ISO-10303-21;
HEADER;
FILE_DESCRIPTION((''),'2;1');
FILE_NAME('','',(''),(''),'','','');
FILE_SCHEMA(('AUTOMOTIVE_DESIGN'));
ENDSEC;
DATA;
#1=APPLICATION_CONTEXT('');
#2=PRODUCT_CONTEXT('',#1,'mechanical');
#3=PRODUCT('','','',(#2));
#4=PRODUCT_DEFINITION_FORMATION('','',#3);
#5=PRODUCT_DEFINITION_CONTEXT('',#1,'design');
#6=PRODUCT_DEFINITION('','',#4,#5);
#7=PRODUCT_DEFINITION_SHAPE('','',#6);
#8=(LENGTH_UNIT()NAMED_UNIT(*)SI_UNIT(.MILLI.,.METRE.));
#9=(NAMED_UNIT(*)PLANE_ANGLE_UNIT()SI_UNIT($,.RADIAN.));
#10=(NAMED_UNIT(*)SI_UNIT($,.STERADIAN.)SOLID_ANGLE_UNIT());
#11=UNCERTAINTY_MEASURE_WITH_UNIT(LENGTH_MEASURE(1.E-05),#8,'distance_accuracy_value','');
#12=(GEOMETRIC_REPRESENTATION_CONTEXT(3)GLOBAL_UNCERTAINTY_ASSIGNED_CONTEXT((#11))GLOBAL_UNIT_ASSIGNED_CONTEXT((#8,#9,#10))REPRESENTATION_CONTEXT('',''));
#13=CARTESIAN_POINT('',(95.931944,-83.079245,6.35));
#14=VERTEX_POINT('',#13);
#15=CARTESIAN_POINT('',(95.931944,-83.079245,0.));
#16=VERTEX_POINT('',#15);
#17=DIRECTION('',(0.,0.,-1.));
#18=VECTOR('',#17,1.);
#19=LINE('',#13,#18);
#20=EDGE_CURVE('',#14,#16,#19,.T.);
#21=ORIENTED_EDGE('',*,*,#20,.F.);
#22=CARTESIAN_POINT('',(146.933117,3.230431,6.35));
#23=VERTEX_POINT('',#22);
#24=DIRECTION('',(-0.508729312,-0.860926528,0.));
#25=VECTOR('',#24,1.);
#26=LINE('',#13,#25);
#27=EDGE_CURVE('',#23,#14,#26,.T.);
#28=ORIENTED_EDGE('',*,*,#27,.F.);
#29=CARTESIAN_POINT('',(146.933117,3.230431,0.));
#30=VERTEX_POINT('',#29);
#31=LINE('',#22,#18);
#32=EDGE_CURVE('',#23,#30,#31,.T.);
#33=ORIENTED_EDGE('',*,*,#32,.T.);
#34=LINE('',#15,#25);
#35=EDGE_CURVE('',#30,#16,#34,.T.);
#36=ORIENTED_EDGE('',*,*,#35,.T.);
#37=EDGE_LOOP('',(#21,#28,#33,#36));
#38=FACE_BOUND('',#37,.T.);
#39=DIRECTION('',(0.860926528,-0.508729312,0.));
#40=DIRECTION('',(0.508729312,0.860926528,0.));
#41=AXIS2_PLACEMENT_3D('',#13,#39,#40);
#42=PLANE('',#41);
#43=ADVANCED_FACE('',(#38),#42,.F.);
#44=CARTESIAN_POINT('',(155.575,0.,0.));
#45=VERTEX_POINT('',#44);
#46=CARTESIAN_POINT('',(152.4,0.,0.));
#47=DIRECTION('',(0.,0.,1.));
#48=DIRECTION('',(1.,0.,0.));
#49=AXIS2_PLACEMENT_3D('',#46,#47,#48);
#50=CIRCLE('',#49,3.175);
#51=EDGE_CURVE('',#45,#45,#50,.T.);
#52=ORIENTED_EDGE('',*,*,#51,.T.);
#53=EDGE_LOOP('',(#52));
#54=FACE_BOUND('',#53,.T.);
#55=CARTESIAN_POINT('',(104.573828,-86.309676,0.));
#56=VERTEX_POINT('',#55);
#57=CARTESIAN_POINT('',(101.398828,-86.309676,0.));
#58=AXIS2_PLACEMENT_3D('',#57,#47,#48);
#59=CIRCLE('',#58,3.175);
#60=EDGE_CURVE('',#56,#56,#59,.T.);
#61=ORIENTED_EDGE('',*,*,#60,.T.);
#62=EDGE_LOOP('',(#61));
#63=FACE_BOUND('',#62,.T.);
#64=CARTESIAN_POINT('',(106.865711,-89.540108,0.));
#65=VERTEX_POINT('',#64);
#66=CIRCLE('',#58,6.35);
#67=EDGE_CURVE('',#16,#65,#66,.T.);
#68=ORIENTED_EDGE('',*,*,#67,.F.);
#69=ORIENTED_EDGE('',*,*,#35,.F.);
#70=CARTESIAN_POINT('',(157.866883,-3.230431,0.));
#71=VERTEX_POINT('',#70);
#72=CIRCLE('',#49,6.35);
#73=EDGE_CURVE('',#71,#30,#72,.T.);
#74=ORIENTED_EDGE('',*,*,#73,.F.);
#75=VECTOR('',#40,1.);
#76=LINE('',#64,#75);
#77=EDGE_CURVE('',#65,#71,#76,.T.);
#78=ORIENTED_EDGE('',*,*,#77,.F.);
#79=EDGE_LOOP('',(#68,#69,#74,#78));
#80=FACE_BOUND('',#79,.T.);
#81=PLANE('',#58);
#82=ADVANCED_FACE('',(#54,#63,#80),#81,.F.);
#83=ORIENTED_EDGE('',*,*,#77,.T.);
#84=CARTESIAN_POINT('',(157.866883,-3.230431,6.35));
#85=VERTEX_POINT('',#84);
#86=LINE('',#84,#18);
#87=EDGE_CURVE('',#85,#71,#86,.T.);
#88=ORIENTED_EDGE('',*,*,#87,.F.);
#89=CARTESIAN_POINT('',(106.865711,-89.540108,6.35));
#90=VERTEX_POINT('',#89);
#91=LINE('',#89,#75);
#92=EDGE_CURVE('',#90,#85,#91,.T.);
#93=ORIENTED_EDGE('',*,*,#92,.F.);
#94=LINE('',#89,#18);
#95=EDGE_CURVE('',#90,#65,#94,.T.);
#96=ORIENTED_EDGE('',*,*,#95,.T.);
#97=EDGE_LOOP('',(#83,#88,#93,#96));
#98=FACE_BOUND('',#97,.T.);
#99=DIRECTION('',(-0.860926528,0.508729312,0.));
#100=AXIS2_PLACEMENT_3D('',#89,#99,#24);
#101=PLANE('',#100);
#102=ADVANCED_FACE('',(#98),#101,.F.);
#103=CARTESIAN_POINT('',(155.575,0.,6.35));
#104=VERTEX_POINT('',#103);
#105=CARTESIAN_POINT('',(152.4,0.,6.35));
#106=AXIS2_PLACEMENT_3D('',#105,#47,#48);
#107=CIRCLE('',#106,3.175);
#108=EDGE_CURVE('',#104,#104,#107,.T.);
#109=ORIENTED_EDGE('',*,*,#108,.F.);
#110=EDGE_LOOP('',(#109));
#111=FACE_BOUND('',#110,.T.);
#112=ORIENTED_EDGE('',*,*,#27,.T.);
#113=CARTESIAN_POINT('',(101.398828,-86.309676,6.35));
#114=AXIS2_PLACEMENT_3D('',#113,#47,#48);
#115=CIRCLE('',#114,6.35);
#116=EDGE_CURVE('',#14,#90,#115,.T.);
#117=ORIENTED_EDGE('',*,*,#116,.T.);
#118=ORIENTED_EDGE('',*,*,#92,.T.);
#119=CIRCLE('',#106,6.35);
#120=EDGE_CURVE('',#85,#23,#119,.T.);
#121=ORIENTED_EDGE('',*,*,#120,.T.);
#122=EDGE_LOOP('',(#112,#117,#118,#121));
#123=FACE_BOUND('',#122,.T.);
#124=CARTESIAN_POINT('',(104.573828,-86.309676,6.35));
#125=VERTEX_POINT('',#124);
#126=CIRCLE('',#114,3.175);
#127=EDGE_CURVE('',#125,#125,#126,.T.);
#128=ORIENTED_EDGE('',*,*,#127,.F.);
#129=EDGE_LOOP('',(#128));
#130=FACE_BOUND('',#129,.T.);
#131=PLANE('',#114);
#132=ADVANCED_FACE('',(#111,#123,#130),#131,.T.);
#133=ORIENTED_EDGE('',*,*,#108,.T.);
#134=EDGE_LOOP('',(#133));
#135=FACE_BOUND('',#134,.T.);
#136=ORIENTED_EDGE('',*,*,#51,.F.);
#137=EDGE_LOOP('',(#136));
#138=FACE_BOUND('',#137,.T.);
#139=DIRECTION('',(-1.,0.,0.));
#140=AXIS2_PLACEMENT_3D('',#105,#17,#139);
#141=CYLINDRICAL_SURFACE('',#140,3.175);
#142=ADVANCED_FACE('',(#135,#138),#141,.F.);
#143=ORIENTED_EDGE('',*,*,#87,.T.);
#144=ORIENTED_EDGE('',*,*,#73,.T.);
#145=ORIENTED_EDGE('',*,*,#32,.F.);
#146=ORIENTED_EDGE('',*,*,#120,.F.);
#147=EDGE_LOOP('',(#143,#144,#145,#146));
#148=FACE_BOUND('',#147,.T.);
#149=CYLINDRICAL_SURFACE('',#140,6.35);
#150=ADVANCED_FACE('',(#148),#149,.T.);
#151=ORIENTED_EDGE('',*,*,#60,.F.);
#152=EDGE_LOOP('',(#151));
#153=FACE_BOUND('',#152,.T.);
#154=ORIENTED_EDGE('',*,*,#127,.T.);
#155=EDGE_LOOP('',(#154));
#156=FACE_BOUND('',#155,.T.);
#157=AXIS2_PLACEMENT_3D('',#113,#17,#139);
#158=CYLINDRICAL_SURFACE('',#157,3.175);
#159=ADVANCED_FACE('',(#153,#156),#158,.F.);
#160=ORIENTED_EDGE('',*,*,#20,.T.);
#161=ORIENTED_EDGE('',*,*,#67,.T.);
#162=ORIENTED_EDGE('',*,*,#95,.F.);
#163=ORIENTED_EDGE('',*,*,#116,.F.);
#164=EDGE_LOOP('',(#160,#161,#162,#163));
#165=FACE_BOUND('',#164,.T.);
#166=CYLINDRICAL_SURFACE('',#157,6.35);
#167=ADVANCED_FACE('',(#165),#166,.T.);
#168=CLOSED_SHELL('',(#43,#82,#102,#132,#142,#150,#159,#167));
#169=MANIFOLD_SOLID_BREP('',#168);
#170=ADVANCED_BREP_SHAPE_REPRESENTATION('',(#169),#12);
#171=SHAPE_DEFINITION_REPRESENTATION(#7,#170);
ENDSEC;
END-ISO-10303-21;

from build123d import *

# Parameters (mm, degrees)
SKETCH1_R           = 3.175
BOSS_EXTRUDE1_DEPTH = 6.35


with BuildPart() as part:
    # Sketch1 → Boss-Extrude1 (new body)
    with BuildSketch(Plane.XY):
        with BuildLine():
            Line((95.931944128, -83.079245267), (146.933116546, 3.230431132))
            ThreePointArc((146.933116546, 3.230431132), (155.630431132, 5.466883454), (157.866883454, -3.230431132))
            Line((157.866883454, -3.230431132), (106.865711037, -89.540107531))
            ThreePointArc((106.865711037, -89.540107531), (98.16839645, -91.776559853), (95.931944128, -83.079245267))
        make_face()
        with Locations((152.4, 0)):
            Circle(SKETCH1_R, mode=Mode.SUBTRACT)
        with Locations((101.398827582, -86.309676399)):
            Circle(SKETCH1_R, mode=Mode.SUBTRACT)
    extrude(amount=BOSS_EXTRUDE1_DEPTH)


solid = part.part
